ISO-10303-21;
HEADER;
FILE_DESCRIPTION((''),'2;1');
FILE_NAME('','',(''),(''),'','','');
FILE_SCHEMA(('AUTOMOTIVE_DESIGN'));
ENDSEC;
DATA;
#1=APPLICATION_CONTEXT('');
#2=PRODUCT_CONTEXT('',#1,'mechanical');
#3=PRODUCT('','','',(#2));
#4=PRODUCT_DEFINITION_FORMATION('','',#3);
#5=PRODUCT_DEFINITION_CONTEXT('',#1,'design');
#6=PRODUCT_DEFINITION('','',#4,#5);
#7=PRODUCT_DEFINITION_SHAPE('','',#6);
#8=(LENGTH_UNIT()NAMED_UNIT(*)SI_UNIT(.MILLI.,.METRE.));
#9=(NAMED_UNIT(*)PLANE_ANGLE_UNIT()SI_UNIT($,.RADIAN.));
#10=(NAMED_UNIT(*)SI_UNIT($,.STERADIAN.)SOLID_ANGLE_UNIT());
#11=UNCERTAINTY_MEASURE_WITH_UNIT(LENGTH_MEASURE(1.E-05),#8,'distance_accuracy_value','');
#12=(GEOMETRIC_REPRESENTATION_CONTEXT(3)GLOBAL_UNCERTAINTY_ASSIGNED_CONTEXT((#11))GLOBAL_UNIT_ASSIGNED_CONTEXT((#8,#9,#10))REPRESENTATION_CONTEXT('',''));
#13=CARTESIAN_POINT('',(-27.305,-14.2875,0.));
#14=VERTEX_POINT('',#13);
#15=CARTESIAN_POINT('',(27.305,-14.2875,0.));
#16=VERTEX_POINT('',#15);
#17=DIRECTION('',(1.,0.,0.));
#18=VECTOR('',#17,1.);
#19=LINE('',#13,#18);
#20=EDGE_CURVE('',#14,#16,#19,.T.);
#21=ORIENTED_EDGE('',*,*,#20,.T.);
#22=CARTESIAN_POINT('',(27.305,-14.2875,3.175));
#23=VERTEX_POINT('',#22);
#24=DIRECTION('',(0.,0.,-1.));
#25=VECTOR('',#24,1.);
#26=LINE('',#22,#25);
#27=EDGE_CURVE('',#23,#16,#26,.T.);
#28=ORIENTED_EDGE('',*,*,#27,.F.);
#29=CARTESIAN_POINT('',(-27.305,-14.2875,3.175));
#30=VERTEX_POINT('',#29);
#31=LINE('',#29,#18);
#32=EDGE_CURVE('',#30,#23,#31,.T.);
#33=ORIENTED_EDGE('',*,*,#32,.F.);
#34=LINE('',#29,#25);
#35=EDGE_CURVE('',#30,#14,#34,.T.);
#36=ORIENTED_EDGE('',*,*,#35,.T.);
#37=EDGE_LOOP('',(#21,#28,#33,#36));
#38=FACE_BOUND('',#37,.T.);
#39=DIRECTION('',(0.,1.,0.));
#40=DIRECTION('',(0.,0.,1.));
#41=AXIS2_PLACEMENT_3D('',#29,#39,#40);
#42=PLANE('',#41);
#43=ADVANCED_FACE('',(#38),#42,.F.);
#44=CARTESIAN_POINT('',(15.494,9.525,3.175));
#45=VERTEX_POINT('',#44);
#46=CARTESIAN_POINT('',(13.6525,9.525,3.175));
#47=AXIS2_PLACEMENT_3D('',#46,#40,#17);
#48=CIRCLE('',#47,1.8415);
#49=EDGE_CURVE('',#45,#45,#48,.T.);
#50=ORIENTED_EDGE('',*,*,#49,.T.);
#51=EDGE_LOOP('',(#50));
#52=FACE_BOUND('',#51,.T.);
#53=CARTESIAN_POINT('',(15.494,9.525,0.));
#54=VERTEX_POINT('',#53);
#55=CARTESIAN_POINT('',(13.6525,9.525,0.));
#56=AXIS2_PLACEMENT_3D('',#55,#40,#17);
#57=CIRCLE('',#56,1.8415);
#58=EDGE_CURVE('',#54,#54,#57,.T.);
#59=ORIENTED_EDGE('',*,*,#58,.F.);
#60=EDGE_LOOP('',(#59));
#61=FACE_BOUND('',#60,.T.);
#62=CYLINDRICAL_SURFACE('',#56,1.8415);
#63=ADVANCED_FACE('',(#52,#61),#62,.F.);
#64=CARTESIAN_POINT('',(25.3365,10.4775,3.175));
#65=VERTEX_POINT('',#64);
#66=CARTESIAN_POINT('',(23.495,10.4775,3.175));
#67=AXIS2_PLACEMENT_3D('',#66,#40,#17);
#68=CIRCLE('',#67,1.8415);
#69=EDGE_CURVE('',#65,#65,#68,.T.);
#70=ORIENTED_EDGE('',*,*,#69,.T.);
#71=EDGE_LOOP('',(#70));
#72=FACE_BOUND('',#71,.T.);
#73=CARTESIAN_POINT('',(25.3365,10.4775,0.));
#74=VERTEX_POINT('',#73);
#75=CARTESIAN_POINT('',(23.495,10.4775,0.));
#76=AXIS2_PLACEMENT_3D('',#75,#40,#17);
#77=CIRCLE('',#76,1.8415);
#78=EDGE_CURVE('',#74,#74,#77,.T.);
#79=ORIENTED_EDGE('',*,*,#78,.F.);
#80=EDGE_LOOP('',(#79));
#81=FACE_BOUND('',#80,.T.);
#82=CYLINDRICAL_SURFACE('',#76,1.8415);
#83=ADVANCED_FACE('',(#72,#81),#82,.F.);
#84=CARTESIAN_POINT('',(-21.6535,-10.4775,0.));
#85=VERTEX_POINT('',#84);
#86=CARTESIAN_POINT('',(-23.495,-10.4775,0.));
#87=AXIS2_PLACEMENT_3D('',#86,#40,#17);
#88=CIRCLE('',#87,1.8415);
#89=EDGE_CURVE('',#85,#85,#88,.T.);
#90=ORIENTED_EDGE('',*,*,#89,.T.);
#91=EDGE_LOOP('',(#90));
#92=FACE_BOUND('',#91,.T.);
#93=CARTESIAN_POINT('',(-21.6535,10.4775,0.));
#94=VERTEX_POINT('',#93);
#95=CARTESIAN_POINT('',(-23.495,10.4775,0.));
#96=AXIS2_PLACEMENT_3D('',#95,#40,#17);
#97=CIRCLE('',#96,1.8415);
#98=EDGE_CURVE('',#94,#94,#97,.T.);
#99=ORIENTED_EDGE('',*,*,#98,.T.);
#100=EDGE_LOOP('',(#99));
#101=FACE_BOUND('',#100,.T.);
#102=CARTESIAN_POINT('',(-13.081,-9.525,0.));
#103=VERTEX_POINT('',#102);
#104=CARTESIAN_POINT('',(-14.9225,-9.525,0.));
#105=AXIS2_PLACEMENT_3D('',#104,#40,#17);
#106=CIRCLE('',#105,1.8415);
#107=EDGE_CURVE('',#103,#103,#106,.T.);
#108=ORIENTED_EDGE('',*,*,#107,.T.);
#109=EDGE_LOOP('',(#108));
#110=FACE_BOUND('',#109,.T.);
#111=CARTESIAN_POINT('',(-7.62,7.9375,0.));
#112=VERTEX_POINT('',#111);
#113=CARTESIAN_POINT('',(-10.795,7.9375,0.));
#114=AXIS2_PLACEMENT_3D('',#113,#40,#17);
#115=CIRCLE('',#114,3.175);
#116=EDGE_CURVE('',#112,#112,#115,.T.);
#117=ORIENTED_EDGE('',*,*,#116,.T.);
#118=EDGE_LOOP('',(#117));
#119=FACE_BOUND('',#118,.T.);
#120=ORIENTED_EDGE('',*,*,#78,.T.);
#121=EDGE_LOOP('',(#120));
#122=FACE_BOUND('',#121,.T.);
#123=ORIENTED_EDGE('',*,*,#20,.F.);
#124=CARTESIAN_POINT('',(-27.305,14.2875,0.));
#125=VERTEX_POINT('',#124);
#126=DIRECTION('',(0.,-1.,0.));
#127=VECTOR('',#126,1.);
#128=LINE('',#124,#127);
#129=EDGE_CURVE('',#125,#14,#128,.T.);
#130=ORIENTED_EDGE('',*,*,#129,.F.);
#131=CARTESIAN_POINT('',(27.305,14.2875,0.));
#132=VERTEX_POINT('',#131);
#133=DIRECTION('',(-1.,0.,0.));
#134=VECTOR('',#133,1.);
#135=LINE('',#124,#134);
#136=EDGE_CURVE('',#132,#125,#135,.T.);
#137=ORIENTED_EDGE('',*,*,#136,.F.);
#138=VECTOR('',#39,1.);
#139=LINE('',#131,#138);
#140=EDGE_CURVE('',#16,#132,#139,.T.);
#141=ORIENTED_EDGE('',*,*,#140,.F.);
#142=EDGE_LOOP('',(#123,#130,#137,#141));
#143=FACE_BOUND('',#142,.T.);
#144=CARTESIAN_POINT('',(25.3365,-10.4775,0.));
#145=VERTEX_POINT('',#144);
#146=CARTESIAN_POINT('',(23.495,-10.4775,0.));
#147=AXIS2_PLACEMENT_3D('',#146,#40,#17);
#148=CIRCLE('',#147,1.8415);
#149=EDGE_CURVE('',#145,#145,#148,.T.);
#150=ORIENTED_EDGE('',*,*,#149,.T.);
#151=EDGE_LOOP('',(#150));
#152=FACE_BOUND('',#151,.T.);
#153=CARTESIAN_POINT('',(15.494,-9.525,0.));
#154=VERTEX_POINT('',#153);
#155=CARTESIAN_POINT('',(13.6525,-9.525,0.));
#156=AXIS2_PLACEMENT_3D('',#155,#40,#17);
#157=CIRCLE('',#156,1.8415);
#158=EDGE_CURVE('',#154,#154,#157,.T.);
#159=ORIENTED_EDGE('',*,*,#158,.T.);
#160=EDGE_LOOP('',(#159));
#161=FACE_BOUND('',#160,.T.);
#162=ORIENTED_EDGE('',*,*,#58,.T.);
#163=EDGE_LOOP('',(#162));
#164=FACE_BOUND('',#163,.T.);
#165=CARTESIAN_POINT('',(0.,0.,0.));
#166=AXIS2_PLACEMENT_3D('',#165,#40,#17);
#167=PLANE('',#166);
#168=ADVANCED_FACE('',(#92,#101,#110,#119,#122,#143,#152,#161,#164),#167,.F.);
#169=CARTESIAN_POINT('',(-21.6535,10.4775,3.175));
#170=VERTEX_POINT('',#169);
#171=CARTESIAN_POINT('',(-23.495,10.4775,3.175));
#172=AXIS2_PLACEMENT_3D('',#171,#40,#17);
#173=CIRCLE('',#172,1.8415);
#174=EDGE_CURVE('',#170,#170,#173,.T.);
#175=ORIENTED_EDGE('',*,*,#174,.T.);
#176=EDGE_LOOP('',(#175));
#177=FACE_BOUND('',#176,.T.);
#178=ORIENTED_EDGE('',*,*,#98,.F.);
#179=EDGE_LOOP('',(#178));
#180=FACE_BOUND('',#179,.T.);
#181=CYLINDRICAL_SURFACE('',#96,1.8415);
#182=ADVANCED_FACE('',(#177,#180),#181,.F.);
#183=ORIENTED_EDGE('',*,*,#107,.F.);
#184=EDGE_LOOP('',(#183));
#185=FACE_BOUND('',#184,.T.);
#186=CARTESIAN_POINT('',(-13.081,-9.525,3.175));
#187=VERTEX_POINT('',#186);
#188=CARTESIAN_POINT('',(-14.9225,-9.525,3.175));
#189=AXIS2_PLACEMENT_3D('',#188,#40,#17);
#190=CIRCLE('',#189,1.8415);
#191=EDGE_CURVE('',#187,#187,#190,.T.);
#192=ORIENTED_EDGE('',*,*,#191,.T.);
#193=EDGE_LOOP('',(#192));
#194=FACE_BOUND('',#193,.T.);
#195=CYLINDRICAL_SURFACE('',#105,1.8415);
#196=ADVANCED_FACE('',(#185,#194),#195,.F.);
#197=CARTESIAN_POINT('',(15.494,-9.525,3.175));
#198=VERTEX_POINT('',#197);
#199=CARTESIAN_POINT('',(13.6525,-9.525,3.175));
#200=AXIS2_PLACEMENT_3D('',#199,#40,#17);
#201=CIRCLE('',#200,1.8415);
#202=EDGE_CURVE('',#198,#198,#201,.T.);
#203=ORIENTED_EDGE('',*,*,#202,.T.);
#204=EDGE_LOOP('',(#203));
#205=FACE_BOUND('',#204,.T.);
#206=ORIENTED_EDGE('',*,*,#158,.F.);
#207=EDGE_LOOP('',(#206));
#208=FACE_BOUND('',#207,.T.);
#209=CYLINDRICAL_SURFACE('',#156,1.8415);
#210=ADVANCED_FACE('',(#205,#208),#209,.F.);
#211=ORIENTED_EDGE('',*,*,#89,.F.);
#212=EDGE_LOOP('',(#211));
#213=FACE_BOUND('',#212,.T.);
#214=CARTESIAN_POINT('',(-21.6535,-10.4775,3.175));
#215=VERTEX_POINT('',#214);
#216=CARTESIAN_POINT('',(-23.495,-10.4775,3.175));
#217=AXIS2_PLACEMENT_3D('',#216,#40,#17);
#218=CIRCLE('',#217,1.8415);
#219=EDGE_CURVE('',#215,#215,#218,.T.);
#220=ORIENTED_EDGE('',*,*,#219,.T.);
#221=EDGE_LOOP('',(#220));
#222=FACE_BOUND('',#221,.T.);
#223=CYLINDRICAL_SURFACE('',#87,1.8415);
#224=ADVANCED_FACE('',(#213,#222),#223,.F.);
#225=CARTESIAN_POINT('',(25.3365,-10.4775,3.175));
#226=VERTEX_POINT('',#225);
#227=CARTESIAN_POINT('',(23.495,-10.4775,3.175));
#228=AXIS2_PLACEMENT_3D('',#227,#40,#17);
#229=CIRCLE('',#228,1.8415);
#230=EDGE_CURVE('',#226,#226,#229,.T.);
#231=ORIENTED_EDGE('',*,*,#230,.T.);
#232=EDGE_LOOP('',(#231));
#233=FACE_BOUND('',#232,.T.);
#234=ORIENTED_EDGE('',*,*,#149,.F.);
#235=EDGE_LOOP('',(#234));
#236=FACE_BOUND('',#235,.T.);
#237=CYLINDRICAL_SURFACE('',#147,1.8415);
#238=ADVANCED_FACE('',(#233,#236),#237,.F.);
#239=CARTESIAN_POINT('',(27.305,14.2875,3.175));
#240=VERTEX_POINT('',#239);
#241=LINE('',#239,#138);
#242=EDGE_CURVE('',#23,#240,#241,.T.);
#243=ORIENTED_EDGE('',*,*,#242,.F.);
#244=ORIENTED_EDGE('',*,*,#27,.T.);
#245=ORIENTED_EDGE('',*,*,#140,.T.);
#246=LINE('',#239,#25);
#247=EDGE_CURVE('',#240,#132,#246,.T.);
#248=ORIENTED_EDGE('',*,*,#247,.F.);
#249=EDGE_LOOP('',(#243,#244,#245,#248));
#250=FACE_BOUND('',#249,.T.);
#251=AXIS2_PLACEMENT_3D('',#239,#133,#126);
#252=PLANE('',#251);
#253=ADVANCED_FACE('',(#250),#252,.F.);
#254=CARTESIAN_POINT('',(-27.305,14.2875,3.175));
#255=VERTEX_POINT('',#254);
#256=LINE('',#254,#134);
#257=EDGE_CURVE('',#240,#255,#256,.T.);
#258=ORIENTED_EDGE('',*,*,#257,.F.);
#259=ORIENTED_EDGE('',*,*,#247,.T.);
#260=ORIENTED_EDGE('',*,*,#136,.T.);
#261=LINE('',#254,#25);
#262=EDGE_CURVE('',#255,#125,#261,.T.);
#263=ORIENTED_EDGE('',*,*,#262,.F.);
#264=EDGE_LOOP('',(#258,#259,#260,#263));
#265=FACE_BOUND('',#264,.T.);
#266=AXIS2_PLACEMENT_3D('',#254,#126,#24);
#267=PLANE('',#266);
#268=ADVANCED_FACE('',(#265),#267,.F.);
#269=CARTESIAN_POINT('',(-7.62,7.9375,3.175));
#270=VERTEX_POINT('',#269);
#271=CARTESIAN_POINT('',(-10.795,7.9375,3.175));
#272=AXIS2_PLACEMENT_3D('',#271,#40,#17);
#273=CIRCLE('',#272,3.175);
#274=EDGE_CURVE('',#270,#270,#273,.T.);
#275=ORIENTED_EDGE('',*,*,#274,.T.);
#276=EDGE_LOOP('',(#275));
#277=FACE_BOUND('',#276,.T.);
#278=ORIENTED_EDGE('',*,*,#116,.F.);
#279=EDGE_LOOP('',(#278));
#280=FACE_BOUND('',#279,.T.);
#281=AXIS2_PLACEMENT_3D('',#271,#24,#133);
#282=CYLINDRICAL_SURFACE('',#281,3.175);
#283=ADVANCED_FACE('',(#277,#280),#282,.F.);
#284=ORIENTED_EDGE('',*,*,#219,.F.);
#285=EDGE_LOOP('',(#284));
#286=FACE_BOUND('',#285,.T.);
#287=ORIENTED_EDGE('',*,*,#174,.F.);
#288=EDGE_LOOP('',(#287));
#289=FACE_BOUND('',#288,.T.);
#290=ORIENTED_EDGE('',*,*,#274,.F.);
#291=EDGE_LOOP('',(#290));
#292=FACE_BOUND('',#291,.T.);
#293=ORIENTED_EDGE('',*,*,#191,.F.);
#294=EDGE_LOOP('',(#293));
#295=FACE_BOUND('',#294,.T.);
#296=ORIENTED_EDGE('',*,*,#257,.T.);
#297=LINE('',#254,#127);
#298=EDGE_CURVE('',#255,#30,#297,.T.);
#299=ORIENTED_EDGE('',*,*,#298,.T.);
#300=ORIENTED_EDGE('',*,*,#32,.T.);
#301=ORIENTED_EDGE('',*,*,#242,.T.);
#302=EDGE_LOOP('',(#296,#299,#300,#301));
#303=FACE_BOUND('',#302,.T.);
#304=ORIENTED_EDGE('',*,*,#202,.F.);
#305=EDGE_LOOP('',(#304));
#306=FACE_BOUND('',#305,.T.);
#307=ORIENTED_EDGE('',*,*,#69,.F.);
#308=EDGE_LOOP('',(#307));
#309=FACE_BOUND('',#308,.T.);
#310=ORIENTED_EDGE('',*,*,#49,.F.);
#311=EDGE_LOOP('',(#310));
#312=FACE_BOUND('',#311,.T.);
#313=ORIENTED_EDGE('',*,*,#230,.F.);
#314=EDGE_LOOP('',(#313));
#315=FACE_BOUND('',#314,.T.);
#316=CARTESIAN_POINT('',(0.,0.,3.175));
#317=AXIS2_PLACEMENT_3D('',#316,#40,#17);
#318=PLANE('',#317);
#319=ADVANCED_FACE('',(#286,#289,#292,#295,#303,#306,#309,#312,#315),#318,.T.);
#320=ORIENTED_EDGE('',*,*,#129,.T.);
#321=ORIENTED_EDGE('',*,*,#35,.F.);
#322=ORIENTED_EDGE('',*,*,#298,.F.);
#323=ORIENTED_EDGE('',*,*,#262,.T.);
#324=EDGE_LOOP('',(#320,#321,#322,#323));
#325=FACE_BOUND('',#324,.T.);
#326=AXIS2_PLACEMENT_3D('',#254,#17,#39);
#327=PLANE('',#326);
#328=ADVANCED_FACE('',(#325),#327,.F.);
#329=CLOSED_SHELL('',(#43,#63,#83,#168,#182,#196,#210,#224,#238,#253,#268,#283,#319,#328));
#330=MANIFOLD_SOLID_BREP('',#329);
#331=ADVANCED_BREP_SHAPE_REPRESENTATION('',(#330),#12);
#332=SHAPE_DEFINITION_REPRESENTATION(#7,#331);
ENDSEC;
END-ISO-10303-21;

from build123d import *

# Parameters (mm, degrees)
SKETCH1_W           = 54.61
SKETCH1_H           = 28.575
SKETCH1_R           = 3.175
BOSS_EXTRUDE1_DEPTH = 3.175
SKETCH2_R           = 1.8415
CUT_EXTRUDE1_DEPTH  = 31.980256717
SKETCH4_R           = 1.8415
CUT_EXTRUDE2_DEPTH  = 31.980256717
SKETCH5_R           = 1.8415
CUT_EXTRUDE3_DEPTH  = 31.980256717


with BuildPart() as part:
    # Sketch1 → Boss-Extrude1 (new body)
    with BuildSketch(Plane.XY):
        Rectangle(SKETCH1_W, SKETCH1_H)
        with Locations((-10.795, 7.9375)):
            Circle(SKETCH1_R, mode=Mode.SUBTRACT)
    extrude(amount=BOSS_EXTRUDE1_DEPTH)

    # Sketch2 → Cut-Extrude1 (cut, through all)
    with BuildSketch(Plane.XY.offset(3.175)):
        with Locations((-23.495, 10.4775)):
            Circle(SKETCH2_R)
        with Locations((-23.495, -10.4775)):
            Circle(SKETCH2_R)
        with Locations((23.495, -10.4775)):
            Circle(SKETCH2_R)
        with Locations((23.495, 10.4775)):
            Circle(SKETCH2_R)
    extrude(amount=-CUT_EXTRUDE1_DEPTH, mode=Mode.SUBTRACT)

    # Sketch4 → Cut-Extrude2 (cut, through all)
    with BuildSketch(Plane.XY.offset(3.175)):
        with Locations((13.6525, 9.525)):
            Circle(SKETCH4_R)
    extrude(amount=-CUT_EXTRUDE2_DEPTH, mode=Mode.SUBTRACT)

    # Sketch5 → Cut-Extrude3 (cut, through all)
    with BuildSketch(Plane.XY.offset(3.175)):
        with Locations((-14.9225, -9.525)):
            Circle(SKETCH5_R)
        with Locations((13.6525, -9.525)):
            Circle(SKETCH5_R)
    extrude(amount=-CUT_EXTRUDE3_DEPTH, mode=Mode.SUBTRACT)


solid = part.part
